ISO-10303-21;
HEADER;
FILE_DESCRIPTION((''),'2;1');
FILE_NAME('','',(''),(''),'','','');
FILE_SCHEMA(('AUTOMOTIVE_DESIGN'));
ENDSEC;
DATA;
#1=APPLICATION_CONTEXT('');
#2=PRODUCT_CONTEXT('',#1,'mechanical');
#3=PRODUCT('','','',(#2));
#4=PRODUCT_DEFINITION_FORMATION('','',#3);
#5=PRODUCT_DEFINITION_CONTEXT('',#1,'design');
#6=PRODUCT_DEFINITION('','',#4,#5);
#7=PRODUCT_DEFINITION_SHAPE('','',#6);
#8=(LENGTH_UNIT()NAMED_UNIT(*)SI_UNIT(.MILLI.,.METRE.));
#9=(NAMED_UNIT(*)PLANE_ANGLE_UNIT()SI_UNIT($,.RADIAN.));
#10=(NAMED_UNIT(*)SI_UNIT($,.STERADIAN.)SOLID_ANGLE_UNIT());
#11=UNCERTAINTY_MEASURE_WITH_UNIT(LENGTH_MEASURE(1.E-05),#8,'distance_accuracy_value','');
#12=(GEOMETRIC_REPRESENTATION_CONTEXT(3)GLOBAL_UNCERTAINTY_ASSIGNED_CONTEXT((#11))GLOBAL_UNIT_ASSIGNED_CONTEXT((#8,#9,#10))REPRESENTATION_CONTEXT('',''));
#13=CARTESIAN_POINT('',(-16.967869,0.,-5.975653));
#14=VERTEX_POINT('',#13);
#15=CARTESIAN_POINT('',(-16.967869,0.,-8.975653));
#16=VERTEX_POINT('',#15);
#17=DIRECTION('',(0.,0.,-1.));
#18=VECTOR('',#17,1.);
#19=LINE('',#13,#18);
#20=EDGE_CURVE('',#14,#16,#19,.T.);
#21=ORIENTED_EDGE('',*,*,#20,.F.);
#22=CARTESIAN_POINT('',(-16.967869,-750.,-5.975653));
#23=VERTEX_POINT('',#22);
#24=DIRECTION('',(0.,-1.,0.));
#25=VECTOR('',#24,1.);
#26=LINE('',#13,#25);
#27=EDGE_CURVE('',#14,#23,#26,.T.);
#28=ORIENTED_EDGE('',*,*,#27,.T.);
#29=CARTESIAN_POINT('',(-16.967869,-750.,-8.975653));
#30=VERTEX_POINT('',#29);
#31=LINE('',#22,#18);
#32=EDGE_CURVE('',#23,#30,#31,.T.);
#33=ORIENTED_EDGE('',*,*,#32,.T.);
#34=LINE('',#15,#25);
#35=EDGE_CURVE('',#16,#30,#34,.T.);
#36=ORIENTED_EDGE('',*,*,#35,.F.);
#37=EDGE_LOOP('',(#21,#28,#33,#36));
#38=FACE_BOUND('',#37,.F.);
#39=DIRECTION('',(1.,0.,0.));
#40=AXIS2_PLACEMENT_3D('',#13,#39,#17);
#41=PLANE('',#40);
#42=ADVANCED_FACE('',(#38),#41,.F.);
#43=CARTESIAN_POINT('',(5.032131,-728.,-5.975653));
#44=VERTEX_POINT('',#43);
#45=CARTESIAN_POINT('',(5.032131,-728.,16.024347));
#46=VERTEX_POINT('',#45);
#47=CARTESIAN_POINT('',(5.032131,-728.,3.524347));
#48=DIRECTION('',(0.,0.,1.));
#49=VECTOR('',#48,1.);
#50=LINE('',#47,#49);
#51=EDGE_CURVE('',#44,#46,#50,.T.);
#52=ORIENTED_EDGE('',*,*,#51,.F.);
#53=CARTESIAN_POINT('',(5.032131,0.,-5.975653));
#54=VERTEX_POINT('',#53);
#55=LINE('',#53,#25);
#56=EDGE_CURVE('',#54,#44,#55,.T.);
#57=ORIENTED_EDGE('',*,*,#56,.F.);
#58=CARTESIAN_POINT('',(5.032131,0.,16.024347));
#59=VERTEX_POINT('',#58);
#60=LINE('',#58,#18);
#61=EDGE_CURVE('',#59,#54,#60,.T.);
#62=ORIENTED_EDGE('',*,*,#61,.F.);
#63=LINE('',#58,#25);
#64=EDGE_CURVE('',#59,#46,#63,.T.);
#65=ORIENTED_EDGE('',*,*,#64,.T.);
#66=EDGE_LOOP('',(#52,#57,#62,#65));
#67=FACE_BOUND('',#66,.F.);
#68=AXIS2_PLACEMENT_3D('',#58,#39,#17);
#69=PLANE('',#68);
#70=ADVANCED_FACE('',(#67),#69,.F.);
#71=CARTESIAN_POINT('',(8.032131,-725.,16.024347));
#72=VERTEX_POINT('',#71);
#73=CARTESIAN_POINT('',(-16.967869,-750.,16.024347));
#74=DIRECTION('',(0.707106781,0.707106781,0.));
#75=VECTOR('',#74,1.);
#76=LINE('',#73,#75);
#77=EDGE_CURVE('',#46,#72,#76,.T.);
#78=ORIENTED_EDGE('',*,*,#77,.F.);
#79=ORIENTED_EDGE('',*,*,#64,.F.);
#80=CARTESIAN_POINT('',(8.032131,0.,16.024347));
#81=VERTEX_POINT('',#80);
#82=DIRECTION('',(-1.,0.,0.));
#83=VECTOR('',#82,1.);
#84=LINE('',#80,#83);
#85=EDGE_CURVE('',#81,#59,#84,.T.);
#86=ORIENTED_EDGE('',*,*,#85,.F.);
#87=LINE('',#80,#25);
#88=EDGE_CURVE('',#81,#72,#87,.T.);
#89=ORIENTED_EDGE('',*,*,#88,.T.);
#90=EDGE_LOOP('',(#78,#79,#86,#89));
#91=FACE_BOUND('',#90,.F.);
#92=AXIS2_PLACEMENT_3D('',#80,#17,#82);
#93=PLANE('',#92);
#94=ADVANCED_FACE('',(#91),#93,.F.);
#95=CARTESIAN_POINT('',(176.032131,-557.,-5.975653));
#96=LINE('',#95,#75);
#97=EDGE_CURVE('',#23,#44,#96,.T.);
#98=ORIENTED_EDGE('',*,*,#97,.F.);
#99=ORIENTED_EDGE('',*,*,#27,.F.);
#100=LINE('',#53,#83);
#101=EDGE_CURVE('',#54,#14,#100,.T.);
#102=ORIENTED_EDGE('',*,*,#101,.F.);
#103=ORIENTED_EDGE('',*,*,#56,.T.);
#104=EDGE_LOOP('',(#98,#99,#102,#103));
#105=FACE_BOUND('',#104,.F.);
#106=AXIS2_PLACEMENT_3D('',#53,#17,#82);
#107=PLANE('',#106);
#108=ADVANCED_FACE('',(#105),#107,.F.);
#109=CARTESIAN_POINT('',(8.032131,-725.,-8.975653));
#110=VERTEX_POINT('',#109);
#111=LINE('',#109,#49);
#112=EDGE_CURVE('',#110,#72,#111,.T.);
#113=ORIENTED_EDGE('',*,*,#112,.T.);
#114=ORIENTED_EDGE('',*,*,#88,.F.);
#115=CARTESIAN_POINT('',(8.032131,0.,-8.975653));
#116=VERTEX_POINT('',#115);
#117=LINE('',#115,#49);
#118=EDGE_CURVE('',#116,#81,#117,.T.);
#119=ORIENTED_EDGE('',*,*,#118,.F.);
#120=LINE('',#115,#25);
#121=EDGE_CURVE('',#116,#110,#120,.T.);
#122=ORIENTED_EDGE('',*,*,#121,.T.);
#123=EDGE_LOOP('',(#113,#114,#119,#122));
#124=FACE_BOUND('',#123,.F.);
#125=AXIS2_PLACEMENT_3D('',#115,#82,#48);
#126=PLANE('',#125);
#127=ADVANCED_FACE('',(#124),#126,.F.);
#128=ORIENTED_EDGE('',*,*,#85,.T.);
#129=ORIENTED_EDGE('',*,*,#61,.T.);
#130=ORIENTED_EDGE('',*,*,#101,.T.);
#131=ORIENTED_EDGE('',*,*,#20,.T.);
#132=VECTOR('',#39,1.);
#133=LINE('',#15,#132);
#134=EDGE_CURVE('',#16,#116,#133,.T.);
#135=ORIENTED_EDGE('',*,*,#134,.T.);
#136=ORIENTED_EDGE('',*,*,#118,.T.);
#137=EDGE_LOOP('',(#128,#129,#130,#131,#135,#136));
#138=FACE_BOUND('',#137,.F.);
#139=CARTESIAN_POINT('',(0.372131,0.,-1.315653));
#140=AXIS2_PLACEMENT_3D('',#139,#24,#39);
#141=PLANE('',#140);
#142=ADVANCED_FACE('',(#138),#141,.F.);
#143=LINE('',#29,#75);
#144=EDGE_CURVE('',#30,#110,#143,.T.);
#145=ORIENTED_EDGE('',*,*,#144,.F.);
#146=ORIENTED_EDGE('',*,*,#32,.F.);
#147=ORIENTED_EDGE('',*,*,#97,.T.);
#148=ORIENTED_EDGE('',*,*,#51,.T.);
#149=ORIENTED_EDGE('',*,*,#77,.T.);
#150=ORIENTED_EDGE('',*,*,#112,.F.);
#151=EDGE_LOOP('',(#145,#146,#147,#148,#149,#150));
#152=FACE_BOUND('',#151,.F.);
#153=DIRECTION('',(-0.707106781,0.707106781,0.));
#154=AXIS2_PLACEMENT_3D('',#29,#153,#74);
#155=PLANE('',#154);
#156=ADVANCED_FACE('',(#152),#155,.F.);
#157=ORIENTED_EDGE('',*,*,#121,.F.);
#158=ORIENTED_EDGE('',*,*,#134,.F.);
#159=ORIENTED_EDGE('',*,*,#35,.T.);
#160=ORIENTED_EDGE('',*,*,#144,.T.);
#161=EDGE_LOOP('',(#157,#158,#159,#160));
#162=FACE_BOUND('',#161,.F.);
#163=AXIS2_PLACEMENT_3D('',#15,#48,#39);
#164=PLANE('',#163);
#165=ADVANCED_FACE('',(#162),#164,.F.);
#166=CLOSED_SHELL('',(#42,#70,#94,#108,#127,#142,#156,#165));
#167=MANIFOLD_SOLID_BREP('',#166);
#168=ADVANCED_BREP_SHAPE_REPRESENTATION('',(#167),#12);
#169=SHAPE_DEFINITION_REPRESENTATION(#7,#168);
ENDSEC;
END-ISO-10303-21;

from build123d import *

# Parameters (mm, degrees)
F1_DEPTH = 750
F3_DEPTH = 25


with BuildPart() as f1:
    # F0 (on Front) → F1 (new body)
    with BuildSketch(Plane.XZ):
        Polygon((5.032131, -5.975653), (-16.967869, -5.975653), (-16.967869, -8.975653), (8.032131, -8.975653), (8.032131, 16.024347), (5.032131, 16.024347), align=None)
    extrude(amount=F1_DEPTH)

    # F2 (on face) → F3 (cut)
    with BuildSketch(Plane(origin=(0, 0, -8.975653), x_dir=(1, 0, 0), z_dir=(0, 0, -1))):
        Polygon((8.032131, 750), (-16.967869, 750), (8.032131, 725), align=None)
    extrude(amount=-F3_DEPTH, mode=Mode.SUBTRACT)


solid = f1.part
